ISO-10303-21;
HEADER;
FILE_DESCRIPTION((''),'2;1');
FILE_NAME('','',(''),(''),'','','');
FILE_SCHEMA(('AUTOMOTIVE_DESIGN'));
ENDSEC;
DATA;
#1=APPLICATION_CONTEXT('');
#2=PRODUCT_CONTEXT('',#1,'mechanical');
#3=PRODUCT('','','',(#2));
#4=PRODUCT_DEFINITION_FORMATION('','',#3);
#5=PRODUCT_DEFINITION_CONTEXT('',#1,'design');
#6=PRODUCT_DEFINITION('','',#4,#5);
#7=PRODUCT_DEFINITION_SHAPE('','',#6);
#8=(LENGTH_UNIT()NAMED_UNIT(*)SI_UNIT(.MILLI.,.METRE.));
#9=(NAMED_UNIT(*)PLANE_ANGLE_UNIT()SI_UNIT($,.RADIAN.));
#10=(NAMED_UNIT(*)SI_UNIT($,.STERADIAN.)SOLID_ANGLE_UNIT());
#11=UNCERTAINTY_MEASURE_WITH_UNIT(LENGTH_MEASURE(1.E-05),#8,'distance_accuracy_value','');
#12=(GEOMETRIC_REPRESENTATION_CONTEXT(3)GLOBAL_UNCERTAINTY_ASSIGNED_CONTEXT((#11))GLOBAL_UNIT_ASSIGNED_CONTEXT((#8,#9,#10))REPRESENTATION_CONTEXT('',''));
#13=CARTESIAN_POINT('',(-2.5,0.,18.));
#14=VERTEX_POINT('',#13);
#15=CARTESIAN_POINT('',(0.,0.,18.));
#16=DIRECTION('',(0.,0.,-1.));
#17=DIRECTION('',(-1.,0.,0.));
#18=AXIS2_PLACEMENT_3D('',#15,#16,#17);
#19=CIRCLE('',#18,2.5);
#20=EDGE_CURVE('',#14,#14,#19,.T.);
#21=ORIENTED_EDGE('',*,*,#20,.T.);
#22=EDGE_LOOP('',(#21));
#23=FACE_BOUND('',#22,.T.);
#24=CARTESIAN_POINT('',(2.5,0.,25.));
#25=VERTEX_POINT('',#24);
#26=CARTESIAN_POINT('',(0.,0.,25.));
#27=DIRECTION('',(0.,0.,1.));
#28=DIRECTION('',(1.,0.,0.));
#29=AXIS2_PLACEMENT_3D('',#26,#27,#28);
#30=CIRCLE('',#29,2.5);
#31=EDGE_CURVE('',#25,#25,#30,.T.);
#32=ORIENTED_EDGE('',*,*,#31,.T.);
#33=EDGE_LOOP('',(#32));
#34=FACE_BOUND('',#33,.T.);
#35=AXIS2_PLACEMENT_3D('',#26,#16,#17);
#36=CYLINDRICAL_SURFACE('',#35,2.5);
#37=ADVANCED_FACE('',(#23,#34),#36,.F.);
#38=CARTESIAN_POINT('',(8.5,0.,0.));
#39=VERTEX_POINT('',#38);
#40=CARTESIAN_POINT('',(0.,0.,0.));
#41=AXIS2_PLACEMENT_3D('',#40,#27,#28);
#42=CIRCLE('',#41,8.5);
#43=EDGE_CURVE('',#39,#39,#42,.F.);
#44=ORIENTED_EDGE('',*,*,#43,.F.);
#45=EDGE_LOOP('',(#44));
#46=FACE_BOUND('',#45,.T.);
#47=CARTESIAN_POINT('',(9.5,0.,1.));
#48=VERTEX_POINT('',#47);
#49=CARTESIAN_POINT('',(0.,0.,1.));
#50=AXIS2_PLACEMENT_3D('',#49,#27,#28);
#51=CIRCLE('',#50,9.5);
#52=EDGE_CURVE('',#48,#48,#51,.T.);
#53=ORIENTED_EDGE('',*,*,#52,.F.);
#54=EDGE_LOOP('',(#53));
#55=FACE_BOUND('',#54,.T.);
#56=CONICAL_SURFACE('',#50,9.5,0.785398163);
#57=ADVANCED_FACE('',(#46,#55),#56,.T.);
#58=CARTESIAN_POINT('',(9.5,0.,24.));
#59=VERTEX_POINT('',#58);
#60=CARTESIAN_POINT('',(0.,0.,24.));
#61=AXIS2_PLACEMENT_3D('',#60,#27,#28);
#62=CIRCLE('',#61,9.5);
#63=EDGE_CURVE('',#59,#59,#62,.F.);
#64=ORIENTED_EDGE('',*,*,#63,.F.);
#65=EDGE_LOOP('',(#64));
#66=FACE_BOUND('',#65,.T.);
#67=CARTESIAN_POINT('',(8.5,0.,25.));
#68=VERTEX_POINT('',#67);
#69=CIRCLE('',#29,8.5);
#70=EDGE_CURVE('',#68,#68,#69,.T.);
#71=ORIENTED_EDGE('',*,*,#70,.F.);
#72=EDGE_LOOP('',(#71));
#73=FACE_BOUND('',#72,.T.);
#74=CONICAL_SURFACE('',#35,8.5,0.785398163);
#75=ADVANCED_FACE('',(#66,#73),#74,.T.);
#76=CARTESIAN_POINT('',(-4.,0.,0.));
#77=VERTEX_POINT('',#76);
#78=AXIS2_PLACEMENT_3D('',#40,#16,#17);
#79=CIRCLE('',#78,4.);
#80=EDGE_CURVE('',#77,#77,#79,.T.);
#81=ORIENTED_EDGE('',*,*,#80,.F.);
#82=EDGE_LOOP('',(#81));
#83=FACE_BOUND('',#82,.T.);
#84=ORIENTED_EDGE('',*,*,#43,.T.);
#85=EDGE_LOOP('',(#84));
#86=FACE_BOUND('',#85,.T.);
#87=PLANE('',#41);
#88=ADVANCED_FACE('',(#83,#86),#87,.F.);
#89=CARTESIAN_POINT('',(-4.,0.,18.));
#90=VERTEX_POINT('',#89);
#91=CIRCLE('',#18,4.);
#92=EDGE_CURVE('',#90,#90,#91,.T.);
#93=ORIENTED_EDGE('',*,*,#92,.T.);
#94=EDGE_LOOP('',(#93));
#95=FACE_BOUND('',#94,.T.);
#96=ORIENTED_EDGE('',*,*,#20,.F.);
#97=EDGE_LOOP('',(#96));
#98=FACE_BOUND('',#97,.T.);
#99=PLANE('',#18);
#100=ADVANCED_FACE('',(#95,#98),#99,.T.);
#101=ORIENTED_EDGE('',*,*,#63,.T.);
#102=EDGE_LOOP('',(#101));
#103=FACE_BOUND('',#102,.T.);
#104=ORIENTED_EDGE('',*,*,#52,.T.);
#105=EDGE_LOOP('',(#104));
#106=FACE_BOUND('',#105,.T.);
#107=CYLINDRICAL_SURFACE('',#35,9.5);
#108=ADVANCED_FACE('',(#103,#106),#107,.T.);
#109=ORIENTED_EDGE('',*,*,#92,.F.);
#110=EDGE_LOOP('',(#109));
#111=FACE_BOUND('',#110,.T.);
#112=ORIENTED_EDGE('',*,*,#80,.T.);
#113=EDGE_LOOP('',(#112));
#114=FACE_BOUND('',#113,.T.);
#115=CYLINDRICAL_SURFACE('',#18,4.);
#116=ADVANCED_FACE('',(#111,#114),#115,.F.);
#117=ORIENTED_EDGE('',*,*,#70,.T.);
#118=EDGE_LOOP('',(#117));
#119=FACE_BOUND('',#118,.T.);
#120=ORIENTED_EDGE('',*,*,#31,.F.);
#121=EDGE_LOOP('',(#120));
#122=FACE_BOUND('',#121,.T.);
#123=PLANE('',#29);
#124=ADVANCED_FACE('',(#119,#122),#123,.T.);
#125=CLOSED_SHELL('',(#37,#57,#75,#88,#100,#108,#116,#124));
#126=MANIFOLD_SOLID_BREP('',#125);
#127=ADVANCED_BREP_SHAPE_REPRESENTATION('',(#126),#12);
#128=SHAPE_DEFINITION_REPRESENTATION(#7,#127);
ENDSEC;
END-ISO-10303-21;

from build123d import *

# Parameters (mm, degrees)
SKETCH_1_R          = 9.5
SKETCH_1_R_2        = 2.5
EXTRUDE_1_DEPTH     = 25
CHAMFER_1_SIZE      = 1
SKETCH_2_R          = 4
CUT_EXTRUDE_1_DEPTH = 18


with BuildPart() as part:
    # 草图1 → 凸台-拉伸1 (new body)
    with BuildSketch(Plane.XY):
        Circle(SKETCH_1_R)
        Circle(SKETCH_1_R_2, mode=Mode.SUBTRACT)
    extrude(amount=EXTRUDE_1_DEPTH)

    # 倒角1
    chamfer_1_edges = [part.edges().sort_by_distance(p)[0] for p in [
        (-9.5, 0, 0),
        (-9.5, 0, 25),
    ]]
    chamfer(chamfer_1_edges, length=CHAMFER_1_SIZE)

    # 草图2 → 切除-拉伸1 (cut)
    with BuildSketch(Plane(origin=(0, 0, 0), x_dir=(-1, 0, 0), z_dir=(0, 0, -1))):
        Circle(SKETCH_2_R)
    extrude(amount=-CUT_EXTRUDE_1_DEPTH, mode=Mode.SUBTRACT)


solid = part.part
